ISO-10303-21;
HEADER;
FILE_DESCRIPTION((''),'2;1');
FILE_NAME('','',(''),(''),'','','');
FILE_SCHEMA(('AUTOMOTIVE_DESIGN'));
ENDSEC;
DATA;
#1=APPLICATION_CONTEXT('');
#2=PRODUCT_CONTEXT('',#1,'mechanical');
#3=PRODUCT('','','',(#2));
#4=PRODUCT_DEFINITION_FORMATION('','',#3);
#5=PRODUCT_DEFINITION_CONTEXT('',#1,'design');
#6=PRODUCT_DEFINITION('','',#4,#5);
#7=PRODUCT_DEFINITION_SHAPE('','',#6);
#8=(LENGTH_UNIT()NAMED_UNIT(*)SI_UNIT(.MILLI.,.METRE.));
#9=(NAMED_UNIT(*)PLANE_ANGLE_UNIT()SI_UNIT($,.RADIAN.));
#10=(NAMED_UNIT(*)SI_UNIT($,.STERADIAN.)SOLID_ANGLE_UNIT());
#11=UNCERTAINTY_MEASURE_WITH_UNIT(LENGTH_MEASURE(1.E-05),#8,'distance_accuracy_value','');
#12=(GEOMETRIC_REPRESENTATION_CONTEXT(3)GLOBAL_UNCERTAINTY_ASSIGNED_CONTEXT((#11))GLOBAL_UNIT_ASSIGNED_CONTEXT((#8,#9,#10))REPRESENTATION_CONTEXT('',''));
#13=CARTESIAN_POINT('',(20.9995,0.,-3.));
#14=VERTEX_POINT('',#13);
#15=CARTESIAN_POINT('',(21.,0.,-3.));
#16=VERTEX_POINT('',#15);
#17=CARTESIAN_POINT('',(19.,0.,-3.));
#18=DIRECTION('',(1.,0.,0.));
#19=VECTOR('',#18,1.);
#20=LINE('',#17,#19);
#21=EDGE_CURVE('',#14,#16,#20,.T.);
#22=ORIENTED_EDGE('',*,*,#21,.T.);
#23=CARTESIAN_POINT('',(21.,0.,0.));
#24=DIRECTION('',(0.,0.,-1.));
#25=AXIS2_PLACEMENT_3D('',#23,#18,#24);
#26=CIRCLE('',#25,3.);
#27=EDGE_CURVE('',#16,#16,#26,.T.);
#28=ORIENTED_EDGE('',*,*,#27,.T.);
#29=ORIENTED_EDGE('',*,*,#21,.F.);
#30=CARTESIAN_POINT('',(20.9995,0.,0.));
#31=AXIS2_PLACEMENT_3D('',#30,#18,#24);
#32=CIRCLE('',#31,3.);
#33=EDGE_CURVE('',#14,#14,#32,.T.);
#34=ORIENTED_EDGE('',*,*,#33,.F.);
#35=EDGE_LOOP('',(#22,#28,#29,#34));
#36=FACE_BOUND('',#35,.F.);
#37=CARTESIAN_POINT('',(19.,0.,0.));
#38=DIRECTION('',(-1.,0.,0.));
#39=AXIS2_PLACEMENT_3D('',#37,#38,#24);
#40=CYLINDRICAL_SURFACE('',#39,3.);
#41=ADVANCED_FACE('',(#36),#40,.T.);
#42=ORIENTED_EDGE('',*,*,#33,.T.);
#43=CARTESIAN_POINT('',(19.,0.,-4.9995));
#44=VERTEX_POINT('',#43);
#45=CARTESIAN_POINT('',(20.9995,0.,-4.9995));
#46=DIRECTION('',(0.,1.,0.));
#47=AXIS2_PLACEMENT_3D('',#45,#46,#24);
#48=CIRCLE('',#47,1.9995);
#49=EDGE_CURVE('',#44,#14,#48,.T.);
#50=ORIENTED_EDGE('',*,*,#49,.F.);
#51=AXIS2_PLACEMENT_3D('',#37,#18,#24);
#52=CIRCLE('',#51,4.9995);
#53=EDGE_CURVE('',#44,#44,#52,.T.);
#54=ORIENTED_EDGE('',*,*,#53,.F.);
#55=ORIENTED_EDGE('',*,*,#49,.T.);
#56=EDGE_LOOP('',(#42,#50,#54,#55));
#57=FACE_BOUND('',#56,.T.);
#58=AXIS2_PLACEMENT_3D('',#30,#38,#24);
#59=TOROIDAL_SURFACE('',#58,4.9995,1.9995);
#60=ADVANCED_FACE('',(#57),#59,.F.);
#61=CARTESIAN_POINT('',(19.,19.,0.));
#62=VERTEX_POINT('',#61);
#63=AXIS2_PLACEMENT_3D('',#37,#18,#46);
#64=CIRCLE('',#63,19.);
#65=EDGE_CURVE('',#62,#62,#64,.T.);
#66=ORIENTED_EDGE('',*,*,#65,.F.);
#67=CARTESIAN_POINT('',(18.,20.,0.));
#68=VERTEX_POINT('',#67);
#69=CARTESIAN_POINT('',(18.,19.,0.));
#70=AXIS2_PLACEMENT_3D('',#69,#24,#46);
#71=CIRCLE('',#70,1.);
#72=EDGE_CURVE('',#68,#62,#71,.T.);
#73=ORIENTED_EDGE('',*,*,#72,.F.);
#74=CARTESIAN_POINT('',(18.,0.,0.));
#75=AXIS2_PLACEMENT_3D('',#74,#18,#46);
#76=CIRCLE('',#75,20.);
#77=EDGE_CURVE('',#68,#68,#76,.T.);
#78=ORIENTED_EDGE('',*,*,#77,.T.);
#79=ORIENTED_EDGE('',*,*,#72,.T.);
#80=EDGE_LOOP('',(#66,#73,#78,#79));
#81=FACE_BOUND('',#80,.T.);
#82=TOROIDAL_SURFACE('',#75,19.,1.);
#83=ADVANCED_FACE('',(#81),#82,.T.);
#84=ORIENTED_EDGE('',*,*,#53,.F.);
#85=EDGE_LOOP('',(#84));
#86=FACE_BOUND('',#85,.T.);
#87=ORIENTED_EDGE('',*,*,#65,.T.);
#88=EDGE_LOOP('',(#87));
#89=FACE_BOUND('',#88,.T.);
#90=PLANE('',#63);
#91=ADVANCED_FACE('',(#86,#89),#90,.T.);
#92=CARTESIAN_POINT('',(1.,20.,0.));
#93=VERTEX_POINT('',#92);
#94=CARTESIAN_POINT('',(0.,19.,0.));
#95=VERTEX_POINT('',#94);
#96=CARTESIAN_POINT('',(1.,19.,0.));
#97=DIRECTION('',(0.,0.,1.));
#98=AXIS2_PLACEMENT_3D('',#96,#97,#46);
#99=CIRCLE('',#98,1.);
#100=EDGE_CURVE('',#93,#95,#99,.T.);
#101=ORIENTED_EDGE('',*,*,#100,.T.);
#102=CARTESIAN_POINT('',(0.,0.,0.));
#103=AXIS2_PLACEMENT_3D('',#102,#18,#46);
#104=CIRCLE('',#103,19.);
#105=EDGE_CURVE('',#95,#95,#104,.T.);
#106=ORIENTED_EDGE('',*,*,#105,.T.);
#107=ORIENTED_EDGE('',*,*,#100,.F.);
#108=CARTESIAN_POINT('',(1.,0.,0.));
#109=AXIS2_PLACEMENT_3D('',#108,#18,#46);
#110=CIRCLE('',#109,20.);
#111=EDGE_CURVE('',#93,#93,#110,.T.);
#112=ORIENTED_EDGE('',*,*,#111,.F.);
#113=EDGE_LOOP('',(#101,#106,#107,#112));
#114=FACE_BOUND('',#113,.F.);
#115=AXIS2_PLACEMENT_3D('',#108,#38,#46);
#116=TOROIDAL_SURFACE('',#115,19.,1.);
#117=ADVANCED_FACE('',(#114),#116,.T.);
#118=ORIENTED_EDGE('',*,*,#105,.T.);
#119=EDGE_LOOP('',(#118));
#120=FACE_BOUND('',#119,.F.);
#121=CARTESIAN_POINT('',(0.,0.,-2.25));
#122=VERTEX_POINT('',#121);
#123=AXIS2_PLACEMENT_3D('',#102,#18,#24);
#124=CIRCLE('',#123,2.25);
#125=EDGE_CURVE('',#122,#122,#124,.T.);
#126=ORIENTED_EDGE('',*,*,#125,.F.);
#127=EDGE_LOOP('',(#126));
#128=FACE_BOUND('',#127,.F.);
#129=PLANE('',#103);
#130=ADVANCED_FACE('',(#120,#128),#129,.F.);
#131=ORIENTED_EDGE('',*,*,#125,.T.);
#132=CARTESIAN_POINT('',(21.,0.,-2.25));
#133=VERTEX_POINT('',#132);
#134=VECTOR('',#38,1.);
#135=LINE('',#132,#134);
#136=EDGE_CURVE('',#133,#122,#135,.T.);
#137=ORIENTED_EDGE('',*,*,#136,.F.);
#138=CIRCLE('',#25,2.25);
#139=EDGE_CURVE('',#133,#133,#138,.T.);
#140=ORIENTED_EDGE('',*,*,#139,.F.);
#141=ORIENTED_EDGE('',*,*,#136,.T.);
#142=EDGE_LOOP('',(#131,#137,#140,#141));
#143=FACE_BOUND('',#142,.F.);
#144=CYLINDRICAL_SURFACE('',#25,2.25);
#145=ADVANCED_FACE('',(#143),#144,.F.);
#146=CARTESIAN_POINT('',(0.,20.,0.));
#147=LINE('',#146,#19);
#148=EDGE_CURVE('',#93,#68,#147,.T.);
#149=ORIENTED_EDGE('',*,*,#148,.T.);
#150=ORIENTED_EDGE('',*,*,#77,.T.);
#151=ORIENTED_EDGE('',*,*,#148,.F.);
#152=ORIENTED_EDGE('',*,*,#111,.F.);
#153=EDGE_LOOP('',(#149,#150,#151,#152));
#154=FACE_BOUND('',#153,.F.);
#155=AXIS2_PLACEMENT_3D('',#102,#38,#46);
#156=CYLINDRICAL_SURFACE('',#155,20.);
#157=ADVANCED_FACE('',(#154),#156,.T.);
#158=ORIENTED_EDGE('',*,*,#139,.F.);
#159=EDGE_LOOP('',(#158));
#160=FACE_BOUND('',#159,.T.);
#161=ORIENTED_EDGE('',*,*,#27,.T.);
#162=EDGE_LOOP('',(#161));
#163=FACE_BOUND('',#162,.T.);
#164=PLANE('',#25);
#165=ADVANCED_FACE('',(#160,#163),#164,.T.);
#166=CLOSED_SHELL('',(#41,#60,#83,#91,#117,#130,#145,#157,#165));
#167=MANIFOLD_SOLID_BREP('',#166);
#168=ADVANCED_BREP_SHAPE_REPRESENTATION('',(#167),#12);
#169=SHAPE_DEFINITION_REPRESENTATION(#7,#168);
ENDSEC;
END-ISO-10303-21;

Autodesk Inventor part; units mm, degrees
ref_plane "YZ Plane" through (0, 0, 0) normal (1, 0, 0) x (0, 1, 0)
ref_plane "XZ Plane" through (0, 0, 0) normal (0, 1, 0) x (-1, 0, 0)
ref_plane "XY Plane" through (0, 0, 0) normal (0, 0, 1) x (1, 0, 0)
sketch "Эскиз1" plane through (0, 0, 0) normal (1, 0, 0) x (0, 1, 0)
  circle A0 centre (0, 0) radius 20
  dimension "d0" = 40
extrude "Выдавливание1" add sketch "Эскиз1" along normal blind 19
sketch "Эскиз2" plane through (19, 0, 0) normal (1, 0, 0) x (0, 0, -1)
  circle A0 centre (0, 0) radius 3
  dimension "d3" = 6
extrude "Выдавливание2" add sketch "Эскиз2" along normal blind 2
sketch "Эскиз3" plane through (21, 0, 0) normal (1, 0, 0) x (0, 0, -1)
  circle A0 centre (0, 0) radius 2.25
  dimension "d6" = 4.5
extrude "Выдавливание3" cut sketch "Эскиз3" against normal blind 100
fillet "Сопряжение1" radius 1 2 edges at (0, -20, 0) (19, -20, 0)
fillet "Сопряжение2" radius 2 1 edges at (19, 0, 3)
properties part number "каток"
